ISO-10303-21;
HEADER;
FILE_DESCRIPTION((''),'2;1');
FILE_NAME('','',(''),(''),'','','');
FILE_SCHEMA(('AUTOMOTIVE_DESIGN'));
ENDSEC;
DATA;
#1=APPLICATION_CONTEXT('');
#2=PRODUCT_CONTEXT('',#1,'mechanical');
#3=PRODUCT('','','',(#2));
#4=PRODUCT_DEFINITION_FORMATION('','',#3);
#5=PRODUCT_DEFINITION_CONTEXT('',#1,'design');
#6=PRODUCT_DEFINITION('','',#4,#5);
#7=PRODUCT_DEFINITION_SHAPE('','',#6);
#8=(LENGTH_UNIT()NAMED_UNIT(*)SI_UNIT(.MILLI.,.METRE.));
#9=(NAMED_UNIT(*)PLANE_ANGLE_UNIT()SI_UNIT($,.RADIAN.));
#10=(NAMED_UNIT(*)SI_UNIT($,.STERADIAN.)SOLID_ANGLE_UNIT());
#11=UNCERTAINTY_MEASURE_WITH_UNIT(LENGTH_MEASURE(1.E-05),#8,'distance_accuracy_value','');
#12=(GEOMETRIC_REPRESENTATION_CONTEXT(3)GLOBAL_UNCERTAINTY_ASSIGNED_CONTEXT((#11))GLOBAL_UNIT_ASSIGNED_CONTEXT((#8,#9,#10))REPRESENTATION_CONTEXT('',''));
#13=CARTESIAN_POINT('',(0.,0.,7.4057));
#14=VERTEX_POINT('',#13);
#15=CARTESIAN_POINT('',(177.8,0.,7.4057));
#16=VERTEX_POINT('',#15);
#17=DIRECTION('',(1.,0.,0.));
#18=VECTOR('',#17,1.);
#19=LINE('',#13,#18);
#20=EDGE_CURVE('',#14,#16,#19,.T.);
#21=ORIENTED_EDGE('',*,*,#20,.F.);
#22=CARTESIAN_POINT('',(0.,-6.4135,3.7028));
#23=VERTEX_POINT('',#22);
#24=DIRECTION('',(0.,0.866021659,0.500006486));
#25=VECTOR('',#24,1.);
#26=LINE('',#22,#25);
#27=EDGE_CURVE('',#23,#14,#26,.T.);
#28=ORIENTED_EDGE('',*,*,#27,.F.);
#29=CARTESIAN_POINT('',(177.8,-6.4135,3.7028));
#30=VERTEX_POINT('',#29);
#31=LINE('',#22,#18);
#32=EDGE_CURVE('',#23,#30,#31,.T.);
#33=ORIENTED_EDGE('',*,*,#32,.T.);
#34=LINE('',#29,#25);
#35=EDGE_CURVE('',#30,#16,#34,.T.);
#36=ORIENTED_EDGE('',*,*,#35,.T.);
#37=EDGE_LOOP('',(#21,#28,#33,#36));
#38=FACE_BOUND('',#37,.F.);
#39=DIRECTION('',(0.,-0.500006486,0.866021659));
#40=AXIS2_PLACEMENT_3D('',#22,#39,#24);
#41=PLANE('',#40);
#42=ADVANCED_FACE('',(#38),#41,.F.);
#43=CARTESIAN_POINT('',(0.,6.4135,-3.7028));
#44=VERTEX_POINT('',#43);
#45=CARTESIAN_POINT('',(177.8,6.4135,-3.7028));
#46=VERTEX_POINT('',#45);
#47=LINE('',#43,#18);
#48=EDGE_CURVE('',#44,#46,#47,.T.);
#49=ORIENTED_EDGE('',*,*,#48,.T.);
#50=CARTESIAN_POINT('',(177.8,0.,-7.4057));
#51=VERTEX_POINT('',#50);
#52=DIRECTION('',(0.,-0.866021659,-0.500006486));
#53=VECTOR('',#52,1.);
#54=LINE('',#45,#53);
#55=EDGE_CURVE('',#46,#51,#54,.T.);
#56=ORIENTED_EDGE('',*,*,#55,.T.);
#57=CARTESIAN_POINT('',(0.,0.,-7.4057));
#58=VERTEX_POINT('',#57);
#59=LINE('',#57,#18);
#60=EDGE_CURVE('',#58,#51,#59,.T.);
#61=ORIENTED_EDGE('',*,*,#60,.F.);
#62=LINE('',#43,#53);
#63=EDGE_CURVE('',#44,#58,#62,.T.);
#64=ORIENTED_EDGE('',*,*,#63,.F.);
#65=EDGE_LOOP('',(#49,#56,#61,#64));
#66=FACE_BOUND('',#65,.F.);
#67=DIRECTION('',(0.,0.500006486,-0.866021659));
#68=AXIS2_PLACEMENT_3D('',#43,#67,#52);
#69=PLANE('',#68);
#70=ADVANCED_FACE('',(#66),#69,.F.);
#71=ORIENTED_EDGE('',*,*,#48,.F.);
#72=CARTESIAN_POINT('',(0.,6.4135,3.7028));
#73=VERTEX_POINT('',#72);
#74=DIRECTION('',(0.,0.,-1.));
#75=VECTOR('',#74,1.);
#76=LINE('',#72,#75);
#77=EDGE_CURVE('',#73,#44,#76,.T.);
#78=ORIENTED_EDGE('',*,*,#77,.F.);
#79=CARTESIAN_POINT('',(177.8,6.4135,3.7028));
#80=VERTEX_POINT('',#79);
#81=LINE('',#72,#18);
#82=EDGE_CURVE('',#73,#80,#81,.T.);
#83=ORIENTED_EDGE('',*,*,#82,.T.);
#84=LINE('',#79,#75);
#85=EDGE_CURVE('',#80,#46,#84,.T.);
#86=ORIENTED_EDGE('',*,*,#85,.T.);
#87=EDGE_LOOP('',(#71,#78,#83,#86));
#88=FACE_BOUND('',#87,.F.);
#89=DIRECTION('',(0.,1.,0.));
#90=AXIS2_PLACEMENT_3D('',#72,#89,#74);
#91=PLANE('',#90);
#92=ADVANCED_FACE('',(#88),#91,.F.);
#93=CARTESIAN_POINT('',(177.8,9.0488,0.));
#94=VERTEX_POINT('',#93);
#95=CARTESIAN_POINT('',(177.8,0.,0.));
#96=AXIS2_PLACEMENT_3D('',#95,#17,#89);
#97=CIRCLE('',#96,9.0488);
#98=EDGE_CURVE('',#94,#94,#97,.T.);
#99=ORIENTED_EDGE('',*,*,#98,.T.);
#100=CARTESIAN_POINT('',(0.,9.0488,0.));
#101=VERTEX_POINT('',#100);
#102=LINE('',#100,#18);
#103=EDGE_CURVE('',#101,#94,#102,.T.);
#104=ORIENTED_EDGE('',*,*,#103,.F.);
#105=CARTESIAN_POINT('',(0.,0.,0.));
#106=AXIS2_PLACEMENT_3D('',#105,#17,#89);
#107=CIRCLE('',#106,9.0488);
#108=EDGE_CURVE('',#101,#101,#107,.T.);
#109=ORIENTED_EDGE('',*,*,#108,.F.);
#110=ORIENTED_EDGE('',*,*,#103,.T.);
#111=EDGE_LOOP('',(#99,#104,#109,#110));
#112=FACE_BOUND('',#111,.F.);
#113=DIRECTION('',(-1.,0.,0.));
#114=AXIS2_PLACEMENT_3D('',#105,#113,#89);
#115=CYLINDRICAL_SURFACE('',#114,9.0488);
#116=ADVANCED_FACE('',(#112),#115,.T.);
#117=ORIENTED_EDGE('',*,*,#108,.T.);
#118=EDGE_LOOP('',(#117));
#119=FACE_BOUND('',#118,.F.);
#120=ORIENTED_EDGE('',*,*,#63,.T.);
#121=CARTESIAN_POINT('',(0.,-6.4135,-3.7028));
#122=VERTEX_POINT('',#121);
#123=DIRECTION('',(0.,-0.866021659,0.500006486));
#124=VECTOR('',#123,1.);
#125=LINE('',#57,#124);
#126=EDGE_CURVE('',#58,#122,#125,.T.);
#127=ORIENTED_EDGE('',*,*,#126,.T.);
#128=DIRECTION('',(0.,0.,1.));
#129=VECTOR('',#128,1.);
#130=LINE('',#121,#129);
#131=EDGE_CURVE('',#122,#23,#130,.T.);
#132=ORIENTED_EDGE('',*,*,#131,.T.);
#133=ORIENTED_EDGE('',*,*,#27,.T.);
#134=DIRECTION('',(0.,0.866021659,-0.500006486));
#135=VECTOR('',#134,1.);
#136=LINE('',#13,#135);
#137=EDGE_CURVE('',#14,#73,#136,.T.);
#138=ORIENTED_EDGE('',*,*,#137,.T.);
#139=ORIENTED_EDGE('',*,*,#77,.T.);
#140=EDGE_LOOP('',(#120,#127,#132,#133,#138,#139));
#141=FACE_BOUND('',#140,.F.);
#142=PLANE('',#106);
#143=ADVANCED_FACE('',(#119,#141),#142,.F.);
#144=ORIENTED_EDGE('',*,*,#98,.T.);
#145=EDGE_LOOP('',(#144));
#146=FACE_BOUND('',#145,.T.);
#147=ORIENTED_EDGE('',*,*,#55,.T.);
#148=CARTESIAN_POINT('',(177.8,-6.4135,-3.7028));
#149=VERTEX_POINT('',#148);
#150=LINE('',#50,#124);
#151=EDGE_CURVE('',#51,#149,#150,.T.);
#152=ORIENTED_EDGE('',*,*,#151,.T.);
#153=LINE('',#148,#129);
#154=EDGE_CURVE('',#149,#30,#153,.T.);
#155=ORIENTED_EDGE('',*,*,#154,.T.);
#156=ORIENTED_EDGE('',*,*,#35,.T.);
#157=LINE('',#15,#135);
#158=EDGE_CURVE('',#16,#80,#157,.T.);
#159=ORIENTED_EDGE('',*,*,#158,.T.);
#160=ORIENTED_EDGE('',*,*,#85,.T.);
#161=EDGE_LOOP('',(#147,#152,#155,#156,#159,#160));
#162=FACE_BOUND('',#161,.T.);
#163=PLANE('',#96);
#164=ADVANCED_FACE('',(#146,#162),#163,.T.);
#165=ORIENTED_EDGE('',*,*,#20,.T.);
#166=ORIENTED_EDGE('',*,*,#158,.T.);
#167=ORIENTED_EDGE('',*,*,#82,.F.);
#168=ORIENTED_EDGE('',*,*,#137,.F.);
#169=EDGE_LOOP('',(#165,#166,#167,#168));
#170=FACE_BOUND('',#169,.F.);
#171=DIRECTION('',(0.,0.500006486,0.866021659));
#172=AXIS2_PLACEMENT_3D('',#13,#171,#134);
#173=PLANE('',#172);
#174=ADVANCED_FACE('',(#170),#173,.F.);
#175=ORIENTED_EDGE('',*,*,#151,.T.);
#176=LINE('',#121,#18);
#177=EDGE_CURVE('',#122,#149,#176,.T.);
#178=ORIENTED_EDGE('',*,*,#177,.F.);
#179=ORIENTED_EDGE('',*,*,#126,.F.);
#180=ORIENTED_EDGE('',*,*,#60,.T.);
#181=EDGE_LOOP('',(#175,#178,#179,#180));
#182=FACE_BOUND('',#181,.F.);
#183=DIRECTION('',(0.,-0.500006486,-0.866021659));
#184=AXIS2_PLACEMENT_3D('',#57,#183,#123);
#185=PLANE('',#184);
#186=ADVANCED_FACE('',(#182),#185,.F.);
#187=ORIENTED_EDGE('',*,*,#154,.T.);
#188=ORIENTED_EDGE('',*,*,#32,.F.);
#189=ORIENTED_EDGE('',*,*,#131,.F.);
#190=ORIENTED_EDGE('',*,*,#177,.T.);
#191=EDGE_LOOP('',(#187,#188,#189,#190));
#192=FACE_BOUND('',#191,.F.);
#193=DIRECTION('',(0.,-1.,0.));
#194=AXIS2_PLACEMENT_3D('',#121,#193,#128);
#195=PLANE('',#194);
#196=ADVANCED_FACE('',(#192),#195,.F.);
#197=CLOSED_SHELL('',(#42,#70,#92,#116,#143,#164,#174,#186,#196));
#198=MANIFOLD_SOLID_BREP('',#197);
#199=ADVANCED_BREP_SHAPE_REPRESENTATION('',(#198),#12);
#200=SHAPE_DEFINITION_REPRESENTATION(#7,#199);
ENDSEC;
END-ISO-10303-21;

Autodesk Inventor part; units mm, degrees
ref_plane "YZ Plane" through (0, 0, 0) normal (1, 0, 0) x (0, 1, 0)
ref_plane "XZ Plane" through (0, 0, 0) normal (0, 1, 0) x (-1, 0, 0)
ref_plane "XY Plane" through (0, 0, 0) normal (0, 0, 1) x (1, 0, 0)
sketch "Sketch1" plane through (0, 0, 0) normal (1, 0, 0) x (0, 1, 0)
  line L0 (-6.4135, -3.7028) -> (-6.4135, 3.7028)
  line L1 (-6.4135, 3.7028) -> (0, 7.4057)
  line L2 (0, 7.4057) -> (6.4135, 3.7028)
  line L3 (6.4135, 3.7028) -> (6.4135, -3.7028)
  line L4 (6.4135, -3.7028) -> (0, -7.4057)
  line L5 (0, -7.4057) -> (-6.4135, -3.7028)
  circle A0 centre (0, 0) radius 9.0488
  dimension "d0" = 12.827
  dimension "d5" = 18.0975
extrude "Extrusion1" add sketch "Sketch1" along normal blind 177.8
properties part number "3DPRINT,HOOD,DRIVEGEAR,SPACER" material "ABS Plastic"
